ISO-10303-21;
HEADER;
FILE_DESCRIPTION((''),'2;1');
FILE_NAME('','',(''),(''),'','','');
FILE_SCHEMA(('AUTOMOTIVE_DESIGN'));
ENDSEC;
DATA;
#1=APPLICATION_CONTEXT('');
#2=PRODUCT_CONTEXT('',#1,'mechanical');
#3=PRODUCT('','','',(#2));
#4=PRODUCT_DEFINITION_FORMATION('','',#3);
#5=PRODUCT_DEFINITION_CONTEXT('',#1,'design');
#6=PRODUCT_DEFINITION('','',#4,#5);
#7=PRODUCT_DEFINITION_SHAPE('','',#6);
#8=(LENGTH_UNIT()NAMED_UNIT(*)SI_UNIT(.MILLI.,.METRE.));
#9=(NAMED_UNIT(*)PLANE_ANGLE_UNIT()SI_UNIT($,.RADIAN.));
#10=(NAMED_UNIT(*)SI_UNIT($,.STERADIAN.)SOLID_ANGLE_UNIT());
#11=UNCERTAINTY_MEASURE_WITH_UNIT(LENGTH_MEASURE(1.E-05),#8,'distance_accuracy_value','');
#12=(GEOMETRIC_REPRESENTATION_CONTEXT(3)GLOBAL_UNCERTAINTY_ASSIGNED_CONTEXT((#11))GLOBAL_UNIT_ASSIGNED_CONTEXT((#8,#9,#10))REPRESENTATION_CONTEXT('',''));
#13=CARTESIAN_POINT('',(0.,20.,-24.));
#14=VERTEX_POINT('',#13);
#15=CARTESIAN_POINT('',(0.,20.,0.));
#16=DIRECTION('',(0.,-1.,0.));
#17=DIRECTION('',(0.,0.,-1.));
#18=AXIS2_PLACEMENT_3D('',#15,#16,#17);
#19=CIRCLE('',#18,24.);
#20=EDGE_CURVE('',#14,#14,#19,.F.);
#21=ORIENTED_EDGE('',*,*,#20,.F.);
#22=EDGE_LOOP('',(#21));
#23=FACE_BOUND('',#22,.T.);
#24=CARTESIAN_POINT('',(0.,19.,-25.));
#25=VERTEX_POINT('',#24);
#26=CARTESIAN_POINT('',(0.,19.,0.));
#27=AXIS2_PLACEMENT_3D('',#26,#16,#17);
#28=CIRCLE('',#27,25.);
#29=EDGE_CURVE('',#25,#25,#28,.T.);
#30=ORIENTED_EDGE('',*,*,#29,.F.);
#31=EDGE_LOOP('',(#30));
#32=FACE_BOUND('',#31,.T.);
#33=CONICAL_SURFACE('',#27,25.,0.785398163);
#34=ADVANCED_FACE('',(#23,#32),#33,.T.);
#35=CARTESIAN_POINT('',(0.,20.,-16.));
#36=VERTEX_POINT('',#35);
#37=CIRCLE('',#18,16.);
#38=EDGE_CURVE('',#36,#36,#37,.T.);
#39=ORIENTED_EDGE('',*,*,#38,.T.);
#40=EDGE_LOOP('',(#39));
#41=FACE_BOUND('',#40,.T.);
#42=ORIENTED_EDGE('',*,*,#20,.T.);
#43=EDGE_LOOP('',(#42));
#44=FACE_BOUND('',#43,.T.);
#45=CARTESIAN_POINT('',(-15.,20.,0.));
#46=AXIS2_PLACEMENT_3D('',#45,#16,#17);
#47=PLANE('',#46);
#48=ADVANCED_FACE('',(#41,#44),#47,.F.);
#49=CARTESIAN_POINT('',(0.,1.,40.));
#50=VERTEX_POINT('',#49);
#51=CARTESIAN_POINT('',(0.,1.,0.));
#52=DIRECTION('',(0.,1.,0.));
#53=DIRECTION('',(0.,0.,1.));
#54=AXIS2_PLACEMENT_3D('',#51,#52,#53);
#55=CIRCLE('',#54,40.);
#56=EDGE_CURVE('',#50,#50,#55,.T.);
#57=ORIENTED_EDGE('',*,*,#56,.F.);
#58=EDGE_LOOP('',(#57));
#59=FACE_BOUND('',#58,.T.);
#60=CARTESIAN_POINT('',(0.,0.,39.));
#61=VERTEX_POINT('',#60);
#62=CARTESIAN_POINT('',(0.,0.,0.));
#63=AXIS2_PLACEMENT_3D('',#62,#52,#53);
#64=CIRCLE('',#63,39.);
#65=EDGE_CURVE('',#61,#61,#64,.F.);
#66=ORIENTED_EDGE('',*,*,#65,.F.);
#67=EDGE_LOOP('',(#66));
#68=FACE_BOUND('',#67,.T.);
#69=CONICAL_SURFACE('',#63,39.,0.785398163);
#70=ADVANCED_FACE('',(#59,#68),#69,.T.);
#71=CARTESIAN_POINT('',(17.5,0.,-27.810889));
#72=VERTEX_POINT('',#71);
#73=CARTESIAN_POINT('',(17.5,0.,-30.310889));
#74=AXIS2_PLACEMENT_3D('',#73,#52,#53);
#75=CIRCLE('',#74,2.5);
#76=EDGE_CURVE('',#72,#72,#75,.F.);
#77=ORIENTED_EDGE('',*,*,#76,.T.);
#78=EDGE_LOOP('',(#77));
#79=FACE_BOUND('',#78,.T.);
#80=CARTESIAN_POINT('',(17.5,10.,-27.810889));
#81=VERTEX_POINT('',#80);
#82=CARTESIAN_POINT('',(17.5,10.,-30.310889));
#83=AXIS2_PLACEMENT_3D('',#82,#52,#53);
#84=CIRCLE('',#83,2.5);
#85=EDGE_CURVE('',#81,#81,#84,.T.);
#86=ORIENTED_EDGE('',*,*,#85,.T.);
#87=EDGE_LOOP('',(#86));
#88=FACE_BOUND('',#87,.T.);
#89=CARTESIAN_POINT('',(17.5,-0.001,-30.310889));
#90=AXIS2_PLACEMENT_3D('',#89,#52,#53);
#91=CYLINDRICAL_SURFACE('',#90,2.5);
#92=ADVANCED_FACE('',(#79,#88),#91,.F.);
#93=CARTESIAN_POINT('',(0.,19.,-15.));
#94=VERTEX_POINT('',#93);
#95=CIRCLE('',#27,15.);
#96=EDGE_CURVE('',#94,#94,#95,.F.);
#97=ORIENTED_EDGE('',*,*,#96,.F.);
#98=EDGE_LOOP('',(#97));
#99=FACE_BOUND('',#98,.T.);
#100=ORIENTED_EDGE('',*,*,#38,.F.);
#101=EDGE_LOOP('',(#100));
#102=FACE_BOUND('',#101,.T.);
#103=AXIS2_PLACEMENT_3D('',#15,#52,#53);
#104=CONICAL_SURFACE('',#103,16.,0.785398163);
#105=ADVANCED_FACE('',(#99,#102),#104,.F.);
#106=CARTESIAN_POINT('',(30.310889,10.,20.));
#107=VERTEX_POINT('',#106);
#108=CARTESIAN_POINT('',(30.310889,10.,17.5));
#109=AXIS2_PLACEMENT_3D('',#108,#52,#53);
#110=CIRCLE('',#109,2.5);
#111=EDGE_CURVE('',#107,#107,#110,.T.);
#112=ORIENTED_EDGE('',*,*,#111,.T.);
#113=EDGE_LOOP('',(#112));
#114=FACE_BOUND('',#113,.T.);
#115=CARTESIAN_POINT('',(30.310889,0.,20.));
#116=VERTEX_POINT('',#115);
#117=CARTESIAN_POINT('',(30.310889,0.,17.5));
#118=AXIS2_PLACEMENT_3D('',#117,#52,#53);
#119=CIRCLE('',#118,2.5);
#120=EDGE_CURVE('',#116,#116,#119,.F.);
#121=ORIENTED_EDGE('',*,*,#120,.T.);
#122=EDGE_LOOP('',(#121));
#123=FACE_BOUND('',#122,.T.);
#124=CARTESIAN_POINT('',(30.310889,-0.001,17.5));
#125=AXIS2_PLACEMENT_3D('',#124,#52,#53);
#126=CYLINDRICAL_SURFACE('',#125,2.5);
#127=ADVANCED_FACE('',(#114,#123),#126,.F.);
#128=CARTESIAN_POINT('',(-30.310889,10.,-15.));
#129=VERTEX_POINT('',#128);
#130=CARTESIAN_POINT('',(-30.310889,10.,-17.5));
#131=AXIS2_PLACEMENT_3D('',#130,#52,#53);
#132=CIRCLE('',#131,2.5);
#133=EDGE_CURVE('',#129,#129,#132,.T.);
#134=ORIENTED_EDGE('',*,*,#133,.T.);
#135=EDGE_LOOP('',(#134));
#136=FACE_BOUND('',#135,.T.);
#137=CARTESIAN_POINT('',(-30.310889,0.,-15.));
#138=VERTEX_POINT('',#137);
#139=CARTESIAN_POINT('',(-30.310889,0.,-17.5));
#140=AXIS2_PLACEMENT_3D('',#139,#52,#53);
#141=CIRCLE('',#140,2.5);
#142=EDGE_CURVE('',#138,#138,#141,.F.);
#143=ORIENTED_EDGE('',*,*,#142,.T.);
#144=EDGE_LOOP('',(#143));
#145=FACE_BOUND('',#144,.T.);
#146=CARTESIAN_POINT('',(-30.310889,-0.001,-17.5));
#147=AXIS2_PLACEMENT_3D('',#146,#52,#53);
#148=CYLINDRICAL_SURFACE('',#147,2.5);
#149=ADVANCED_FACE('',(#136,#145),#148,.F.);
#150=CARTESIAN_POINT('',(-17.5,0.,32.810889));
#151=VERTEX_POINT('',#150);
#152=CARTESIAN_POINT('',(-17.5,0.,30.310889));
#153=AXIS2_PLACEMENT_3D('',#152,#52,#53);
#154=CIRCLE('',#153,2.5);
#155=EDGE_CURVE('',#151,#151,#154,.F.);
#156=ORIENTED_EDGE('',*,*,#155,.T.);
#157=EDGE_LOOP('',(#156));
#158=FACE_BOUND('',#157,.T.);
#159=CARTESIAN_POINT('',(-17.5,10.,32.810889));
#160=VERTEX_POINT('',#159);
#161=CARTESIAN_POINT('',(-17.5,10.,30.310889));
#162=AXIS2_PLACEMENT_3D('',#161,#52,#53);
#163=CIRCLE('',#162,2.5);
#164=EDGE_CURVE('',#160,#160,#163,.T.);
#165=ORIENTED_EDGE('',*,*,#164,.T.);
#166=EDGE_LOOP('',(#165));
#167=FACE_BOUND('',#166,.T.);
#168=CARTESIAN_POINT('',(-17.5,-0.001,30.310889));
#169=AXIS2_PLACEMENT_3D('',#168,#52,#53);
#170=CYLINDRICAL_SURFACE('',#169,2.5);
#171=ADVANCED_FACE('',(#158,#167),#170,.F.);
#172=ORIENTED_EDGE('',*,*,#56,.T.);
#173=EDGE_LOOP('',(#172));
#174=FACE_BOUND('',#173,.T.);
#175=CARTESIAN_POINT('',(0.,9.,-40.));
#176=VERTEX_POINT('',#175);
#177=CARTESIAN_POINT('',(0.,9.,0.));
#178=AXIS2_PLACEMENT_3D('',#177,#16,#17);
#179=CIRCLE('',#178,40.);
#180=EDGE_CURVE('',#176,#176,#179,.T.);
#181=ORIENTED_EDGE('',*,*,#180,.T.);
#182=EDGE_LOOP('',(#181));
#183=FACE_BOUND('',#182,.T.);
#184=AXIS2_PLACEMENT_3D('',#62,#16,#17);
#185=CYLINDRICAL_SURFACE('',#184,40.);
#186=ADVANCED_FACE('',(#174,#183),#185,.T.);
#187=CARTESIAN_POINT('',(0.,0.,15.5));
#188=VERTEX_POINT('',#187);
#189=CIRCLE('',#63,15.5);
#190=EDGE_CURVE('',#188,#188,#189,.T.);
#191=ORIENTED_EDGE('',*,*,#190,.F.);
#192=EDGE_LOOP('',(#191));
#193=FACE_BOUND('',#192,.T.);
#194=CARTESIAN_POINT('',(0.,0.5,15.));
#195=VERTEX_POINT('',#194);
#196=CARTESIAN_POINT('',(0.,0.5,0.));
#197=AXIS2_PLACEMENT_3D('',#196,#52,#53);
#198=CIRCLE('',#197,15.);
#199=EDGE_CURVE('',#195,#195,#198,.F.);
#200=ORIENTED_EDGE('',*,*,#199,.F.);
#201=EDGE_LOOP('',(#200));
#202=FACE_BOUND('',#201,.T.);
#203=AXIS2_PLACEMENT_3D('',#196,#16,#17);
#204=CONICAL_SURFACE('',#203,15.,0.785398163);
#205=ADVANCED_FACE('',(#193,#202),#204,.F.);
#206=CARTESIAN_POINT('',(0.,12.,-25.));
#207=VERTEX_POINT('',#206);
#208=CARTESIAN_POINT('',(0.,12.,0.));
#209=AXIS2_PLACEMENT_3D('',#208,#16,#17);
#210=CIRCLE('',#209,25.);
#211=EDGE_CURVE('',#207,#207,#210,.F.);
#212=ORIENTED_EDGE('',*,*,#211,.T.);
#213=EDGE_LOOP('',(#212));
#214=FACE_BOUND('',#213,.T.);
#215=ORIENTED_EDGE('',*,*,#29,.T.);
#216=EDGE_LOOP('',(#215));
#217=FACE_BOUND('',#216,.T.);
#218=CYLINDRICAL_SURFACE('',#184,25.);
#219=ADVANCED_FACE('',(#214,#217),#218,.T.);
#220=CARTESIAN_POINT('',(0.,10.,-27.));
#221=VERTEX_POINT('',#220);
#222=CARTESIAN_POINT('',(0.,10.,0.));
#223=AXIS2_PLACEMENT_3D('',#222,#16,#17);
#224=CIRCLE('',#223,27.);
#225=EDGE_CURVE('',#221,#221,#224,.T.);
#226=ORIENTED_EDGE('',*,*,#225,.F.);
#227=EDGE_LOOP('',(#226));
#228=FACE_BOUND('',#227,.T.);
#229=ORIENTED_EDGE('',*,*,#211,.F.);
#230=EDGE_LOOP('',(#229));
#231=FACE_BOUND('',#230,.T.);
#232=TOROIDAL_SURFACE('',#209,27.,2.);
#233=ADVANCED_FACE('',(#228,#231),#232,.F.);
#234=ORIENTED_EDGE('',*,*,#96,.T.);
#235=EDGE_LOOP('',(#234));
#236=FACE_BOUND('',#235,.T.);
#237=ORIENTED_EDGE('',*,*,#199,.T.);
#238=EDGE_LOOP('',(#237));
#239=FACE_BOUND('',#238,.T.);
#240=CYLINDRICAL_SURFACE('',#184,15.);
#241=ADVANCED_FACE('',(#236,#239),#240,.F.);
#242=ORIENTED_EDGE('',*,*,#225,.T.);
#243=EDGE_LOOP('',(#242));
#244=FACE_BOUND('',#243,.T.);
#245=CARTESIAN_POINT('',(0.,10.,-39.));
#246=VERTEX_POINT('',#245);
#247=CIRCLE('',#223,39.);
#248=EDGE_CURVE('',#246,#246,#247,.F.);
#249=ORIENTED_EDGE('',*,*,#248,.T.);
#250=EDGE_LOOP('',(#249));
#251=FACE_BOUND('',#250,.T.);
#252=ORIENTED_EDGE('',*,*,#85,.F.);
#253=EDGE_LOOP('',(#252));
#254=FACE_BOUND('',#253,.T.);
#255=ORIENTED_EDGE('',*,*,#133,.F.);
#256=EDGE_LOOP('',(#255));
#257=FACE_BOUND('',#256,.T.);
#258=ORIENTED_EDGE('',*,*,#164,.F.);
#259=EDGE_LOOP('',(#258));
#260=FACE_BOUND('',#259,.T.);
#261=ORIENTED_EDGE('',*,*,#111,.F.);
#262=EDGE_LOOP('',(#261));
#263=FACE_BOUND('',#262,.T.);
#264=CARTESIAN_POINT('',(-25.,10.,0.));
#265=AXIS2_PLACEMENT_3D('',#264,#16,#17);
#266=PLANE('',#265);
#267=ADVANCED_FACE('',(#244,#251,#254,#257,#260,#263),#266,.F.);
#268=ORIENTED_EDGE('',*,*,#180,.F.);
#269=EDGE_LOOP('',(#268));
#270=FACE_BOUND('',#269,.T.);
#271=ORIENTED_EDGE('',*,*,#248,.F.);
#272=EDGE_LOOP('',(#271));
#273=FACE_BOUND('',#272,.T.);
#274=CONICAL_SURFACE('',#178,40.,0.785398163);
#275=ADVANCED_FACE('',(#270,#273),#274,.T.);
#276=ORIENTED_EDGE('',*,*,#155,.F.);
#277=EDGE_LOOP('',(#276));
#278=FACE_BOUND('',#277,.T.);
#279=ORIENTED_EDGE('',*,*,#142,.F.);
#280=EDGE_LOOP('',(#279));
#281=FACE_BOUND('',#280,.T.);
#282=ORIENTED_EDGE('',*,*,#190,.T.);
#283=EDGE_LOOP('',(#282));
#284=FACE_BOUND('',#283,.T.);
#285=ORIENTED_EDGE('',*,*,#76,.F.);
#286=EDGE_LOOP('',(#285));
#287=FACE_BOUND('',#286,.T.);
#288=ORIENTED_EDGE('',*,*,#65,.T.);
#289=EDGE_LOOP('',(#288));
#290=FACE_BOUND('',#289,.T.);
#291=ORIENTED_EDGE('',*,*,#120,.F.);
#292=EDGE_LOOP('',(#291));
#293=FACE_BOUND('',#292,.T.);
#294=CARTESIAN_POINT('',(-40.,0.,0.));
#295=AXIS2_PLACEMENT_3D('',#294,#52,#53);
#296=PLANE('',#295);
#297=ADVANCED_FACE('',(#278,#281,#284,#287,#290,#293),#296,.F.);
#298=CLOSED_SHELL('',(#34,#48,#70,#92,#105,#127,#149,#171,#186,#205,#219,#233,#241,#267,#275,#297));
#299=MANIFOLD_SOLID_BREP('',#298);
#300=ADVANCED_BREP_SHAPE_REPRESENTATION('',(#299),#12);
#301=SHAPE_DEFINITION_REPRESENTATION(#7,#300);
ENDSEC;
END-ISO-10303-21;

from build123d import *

# Parameters (mm, degrees)
CHAMFER1_SIZE      = 1
CUT_EXTRUDE1_REACH = 59.446
SKETCH3_R          = 2.5
FILLET1_R          = 2
CHAMFER2_SIZE      = 1
CHAMFER3_SIZE      = 0.5


with BuildPart() as part:
    # Sketch1 → Revolve1 (revolve)
    with BuildSketch(Plane.XY, mode=Mode.PRIVATE) as revolve1_sk:
        Polygon((-15, 0), (-15, 20), (-25, 20), (-25, 10), (-40, 10), (-40, 0), align=None)
    revolve(revolve1_sk.sketch.rotate(Axis((0, 0, 0), (0, 1, 0)), 270), axis=Axis((0, 0, 0), (0, 1, 0)))

    # Chamfer1
    chamfer1_edges = [part.edges().sort_by_distance(p)[0] for p in [
        (0, 20, 15),
    ]]
    chamfer(chamfer1_edges, length=CHAMFER1_SIZE)

    # Sketch3 → Cut-Extrude1 (cut, up to next)
    with BuildSketch(Plane(origin=(0, 10, 0), x_dir=(1, 0, 0), z_dir=(0, 1, 0)), mode=Mode.PRIVATE) as cut_extrude1_sk1:
        with Locations(Location((17.5, 30.310889132, 0), (0, 0, 270))):
            Circle(SKETCH3_R)
    cut_extrude1_tool1 = extrude(cut_extrude1_sk1.sketch, amount=-CUT_EXTRUDE1_REACH, mode=Mode.PRIVATE) & part.part
    # Sketch3 → Cut-Extrude1 (cut, up to next)
    with BuildSketch(Plane(origin=(0, 10, 0), x_dir=(1, 0, 0), z_dir=(0, 1, 0)), mode=Mode.PRIVATE) as cut_extrude1_sk2:
        with Locations(Location((30.310889132, -17.5, 0), (0, 0, 270))):
            Circle(SKETCH3_R)
    cut_extrude1_tool2 = extrude(cut_extrude1_sk2.sketch, amount=-CUT_EXTRUDE1_REACH, mode=Mode.PRIVATE) & part.part
    # Sketch3 → Cut-Extrude1 (cut, up to next)
    with BuildSketch(Plane(origin=(0, 10, 0), x_dir=(1, 0, 0), z_dir=(0, 1, 0)), mode=Mode.PRIVATE) as cut_extrude1_sk3:
        with Locations(Location((-17.5, -30.310889132, 0), (0, 0, 270))):
            Circle(SKETCH3_R)
    cut_extrude1_tool3 = extrude(cut_extrude1_sk3.sketch, amount=-CUT_EXTRUDE1_REACH, mode=Mode.PRIVATE) & part.part
    # Sketch3 → Cut-Extrude1 (cut, up to next)
    with BuildSketch(Plane(origin=(0, 10, 0), x_dir=(1, 0, 0), z_dir=(0, 1, 0)), mode=Mode.PRIVATE) as cut_extrude1_sk4:
        with Locations(Location((-30.310889132, 17.5, 0), (0, 0, 270))):
            Circle(SKETCH3_R)
    cut_extrude1_tool4 = extrude(cut_extrude1_sk4.sketch, amount=-CUT_EXTRUDE1_REACH, mode=Mode.PRIVATE) & part.part
    add(cut_extrude1_tool1.solids().sort_by_distance((17.5, 10, -30.310889))[0], mode=Mode.SUBTRACT)
    add(cut_extrude1_tool2.solids().sort_by_distance((30.310889, 10, 17.5))[0], mode=Mode.SUBTRACT)
    add(cut_extrude1_tool3.solids().sort_by_distance((-17.5, 10, 30.310889))[0], mode=Mode.SUBTRACT)
    add(cut_extrude1_tool4.solids().sort_by_distance((-30.310889, 10, -17.5))[0], mode=Mode.SUBTRACT)

    # Fillet1
    fillet1_edges = [part.edges().sort_by_distance(p)[0] for p in [
        (0, 10, 25),
    ]]
    fillet(fillet1_edges, radius=FILLET1_R)

    # Chamfer2
    chamfer2_edges = [part.edges().sort_by_distance(p)[0] for p in [
        (0, 0, 40),
        (0, 10, 40),
        (0, 20, 25),
    ]]
    chamfer(chamfer2_edges, length=CHAMFER2_SIZE)

    # Chamfer3
    chamfer3_edges = [part.edges().sort_by_distance(p)[0] for p in [
        (0, 0, 15),
    ]]
    chamfer(chamfer3_edges, length=CHAMFER3_SIZE)


solid = part.part
